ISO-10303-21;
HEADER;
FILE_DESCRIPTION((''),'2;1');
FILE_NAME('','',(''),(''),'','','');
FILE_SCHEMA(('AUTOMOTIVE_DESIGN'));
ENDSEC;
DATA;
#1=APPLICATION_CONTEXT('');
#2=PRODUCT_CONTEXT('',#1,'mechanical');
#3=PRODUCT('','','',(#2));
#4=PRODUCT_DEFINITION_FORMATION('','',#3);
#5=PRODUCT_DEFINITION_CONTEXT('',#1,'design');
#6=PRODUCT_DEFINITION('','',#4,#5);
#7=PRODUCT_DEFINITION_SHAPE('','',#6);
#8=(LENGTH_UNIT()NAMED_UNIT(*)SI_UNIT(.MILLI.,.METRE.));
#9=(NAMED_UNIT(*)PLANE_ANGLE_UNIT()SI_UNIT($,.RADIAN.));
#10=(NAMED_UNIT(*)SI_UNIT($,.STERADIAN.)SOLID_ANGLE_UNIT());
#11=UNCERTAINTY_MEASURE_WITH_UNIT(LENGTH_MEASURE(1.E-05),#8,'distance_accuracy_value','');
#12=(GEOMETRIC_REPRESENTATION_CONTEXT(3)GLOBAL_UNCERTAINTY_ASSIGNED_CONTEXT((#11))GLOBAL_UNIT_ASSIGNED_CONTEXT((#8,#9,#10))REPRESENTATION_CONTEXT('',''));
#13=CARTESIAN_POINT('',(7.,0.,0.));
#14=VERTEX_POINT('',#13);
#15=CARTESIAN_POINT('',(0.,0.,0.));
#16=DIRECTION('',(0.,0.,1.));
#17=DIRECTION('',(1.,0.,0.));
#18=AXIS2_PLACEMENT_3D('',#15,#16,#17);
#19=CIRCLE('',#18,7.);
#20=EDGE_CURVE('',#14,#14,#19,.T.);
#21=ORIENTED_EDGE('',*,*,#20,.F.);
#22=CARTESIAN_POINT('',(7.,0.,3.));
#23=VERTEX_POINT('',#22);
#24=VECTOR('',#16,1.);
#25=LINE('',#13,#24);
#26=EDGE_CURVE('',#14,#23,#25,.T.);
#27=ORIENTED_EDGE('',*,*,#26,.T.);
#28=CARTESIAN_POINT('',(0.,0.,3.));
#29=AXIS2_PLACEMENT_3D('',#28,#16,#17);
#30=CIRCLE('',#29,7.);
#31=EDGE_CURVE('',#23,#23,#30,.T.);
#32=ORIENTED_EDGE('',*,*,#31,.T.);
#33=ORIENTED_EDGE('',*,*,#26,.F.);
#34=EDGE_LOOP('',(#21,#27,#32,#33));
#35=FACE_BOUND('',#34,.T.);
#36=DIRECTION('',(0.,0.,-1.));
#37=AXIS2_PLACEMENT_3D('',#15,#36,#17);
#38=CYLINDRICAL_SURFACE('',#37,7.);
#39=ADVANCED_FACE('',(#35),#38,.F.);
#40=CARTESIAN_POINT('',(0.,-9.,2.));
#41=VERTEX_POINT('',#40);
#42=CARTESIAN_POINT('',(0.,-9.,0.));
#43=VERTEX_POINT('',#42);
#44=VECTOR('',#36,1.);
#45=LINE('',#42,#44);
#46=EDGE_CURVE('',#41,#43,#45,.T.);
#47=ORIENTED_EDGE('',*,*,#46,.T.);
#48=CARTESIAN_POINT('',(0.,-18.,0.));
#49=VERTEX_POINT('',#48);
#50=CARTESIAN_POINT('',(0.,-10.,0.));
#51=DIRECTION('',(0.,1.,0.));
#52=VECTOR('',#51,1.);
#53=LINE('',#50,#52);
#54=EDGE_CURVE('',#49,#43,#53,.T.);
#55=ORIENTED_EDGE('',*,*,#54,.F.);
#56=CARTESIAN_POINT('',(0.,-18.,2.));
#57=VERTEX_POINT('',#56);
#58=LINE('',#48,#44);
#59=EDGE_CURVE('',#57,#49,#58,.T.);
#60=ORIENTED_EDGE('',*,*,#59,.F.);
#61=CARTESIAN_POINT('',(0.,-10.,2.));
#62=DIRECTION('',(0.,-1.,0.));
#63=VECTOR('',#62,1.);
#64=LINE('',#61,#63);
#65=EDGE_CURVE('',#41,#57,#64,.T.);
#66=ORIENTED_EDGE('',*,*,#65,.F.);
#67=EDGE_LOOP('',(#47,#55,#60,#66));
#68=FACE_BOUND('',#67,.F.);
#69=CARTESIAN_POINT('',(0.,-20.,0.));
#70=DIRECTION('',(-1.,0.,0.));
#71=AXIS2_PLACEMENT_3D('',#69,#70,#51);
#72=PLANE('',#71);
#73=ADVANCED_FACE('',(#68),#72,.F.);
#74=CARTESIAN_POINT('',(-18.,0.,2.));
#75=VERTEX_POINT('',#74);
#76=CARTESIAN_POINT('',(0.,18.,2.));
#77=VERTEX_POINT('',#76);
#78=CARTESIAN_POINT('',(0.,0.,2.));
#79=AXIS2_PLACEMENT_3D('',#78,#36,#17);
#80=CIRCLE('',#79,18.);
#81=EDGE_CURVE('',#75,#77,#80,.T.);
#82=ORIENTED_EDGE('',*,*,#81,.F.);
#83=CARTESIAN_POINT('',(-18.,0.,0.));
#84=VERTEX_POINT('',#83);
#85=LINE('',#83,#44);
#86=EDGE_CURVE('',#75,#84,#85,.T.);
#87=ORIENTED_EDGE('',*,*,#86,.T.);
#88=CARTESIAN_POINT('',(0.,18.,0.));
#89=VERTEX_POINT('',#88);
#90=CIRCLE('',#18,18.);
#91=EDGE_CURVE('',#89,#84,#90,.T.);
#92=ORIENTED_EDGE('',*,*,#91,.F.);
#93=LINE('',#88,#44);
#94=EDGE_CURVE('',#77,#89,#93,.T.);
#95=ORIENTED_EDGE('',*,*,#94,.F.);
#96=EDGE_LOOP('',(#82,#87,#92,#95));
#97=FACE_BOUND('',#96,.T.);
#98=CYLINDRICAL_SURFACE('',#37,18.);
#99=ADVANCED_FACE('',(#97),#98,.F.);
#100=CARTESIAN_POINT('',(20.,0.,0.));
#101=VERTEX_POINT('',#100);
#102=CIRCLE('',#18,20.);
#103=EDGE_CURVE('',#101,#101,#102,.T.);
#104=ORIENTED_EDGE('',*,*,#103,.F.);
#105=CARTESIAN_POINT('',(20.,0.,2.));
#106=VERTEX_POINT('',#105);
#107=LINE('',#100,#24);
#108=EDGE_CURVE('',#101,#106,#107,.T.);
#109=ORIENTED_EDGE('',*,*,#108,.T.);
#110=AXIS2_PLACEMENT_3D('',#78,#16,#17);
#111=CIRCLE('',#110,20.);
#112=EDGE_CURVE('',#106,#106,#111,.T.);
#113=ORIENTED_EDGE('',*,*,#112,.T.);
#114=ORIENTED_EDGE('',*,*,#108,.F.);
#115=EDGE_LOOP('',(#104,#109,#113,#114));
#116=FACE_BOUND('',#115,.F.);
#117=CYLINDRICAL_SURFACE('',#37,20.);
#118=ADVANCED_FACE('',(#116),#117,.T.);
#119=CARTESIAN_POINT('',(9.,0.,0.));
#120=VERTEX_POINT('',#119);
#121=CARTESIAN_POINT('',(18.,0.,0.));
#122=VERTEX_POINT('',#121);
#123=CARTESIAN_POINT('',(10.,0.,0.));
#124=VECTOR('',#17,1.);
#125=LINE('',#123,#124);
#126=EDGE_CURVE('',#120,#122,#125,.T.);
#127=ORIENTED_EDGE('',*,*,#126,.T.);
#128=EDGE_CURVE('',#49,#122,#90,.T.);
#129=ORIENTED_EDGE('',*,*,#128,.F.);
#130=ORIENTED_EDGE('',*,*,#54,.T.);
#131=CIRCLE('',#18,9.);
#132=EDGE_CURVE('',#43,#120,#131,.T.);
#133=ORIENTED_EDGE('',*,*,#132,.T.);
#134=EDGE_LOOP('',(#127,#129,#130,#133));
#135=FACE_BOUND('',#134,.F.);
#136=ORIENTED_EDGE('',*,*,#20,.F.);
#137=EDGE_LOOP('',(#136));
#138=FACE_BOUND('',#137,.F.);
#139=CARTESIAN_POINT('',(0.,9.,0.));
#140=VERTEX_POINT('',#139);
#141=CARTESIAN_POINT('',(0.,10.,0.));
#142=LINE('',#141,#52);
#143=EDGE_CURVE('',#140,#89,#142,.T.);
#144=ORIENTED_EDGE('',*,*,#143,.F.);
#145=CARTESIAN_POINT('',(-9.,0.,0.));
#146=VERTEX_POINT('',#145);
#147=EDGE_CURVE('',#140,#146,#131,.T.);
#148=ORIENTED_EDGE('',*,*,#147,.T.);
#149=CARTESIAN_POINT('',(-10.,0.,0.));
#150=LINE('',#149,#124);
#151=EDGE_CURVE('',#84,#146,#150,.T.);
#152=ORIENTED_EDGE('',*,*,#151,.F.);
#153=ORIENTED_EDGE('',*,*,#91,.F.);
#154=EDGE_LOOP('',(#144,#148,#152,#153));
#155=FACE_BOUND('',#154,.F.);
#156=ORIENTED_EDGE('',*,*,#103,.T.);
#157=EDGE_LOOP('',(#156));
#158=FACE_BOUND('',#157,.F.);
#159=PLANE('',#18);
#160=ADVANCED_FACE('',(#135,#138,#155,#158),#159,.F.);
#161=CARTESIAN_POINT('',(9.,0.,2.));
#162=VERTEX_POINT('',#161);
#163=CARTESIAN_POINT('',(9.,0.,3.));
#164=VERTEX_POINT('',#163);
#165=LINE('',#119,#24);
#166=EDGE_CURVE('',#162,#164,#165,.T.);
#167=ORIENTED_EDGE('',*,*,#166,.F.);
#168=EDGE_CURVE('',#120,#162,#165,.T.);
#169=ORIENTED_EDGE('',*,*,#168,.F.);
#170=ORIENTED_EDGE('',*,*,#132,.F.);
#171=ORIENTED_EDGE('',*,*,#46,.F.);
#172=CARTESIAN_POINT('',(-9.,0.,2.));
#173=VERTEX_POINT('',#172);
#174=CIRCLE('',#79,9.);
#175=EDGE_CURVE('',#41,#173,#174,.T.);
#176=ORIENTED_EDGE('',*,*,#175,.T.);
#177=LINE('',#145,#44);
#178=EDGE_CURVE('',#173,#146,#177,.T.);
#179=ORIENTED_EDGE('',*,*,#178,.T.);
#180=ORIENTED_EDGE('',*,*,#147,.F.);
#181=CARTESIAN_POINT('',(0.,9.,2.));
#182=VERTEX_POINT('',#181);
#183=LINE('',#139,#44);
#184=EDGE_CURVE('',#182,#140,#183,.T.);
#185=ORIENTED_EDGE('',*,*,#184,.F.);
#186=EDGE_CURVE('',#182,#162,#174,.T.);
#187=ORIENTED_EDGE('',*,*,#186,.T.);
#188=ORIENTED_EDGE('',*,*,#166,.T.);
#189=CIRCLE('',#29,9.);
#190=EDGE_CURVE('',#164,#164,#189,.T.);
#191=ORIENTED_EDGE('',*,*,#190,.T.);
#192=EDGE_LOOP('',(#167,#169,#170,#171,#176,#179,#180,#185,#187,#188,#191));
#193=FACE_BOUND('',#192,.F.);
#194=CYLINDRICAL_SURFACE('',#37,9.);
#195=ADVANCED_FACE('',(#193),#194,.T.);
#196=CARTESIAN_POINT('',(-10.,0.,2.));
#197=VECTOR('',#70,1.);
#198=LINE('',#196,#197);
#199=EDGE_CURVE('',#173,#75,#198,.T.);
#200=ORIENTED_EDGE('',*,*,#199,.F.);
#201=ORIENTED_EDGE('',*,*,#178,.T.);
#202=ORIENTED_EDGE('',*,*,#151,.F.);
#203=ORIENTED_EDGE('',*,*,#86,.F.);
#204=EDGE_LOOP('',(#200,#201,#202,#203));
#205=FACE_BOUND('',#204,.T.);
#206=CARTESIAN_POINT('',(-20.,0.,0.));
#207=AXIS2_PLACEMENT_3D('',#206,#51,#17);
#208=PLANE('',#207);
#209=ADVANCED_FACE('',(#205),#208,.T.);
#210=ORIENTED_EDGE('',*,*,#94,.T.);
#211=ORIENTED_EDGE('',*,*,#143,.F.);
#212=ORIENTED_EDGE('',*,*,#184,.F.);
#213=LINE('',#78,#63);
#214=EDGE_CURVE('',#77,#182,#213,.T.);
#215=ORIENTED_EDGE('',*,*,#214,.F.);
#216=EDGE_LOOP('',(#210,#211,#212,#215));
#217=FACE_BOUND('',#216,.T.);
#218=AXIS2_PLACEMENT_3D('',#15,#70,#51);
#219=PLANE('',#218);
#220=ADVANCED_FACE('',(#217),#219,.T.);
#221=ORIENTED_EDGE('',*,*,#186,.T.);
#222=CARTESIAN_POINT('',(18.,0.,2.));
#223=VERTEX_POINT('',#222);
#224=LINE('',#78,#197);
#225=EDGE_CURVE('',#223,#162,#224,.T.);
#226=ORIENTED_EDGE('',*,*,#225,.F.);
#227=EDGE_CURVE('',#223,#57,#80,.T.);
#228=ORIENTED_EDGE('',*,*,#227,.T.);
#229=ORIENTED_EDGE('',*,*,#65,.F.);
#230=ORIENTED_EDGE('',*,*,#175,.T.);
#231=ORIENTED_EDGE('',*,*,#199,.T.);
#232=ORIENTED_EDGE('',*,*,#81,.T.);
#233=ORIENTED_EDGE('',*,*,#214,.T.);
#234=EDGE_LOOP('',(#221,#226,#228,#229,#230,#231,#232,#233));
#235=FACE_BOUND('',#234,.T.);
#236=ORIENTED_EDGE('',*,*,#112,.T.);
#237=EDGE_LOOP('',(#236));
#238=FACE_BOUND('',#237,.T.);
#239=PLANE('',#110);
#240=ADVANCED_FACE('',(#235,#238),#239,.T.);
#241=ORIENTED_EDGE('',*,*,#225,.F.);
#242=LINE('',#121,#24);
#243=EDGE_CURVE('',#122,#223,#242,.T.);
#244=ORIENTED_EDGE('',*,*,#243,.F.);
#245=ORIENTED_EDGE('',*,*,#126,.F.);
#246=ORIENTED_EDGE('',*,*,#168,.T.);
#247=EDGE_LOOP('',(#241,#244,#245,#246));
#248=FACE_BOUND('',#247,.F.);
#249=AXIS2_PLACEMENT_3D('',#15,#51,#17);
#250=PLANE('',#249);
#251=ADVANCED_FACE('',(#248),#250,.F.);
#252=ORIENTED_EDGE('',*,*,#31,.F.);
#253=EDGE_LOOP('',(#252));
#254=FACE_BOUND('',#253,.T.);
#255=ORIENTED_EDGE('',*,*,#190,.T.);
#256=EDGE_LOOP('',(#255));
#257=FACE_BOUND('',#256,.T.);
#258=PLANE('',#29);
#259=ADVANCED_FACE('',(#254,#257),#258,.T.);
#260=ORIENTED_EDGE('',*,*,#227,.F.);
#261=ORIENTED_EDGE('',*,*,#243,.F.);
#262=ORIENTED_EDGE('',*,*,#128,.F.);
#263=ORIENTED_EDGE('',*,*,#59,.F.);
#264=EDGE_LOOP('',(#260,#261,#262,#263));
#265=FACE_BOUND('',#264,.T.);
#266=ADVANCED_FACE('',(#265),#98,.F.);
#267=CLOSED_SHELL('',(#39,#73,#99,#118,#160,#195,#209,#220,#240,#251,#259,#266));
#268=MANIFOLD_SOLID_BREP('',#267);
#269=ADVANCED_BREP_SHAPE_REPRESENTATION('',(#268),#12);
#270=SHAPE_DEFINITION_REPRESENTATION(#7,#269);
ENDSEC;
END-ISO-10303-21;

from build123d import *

# Parameters (mm, degrees)
TUBE002_R     = 9
TUBE002_R_2   = 7
TUBE002_DEPTH = 3
BOX001_W      = 20
BOX001_H      = 20
BOX001_DEPTH  = 10
BOX_W         = 20
BOX_H         = 20
BOX_DEPTH     = 10
TUBE_R        = 18
TUBE_R_2      = 9
TUBE_DEPTH    = 10
TUBE001_R     = 20
TUBE001_R_2   = 7
TUBE001_DEPTH = 2


with BuildPart() as tube002:
    # Tube002 → Tube002 (new body)
    with BuildSketch(Plane.XY):
        Circle(TUBE002_R)
        Circle(TUBE002_R_2, mode=Mode.SUBTRACT)
    extrude(amount=TUBE002_DEPTH)


with BuildPart() as cubo001:
    # Box001 → Box001 (new body)
    with BuildSketch(Plane(origin=(-20, -20, 0), x_dir=(1, 0, 0), z_dir=(0, 0, 1))):
        with Locations((10, 10)):
            Rectangle(BOX001_W, BOX001_H)
    extrude(amount=BOX001_DEPTH)


with BuildPart() as cubo:
    # Box → Box (new body)
    with BuildSketch(Plane.XY):
        with Locations((10, 10)):
            Rectangle(BOX_W, BOX_H)
    extrude(amount=BOX_DEPTH)


with BuildPart() as cut001:
    # Tube → Tube (new body)
    with BuildSketch(Plane.XY):
        Circle(TUBE_R)
        Circle(TUBE_R_2, mode=Mode.SUBTRACT)
    extrude(amount=TUBE_DEPTH)

    # Cut: cut Cubo
    add(cubo.part, mode=Mode.SUBTRACT)

    # Cut001: cut Cubo001
    add(cubo001.part, mode=Mode.SUBTRACT)


with BuildPart() as fusion:
    # Tube001 → Tube001 (new body)
    with BuildSketch(Plane.XY):
        Circle(TUBE001_R)
        Circle(TUBE001_R_2, mode=Mode.SUBTRACT)
    extrude(amount=TUBE001_DEPTH)

    # Cut002: cut Cut001
    add(cut001.part, mode=Mode.SUBTRACT)

    # Fusion: union Tube002
    add(tube002.part)


solid = fusion.part
